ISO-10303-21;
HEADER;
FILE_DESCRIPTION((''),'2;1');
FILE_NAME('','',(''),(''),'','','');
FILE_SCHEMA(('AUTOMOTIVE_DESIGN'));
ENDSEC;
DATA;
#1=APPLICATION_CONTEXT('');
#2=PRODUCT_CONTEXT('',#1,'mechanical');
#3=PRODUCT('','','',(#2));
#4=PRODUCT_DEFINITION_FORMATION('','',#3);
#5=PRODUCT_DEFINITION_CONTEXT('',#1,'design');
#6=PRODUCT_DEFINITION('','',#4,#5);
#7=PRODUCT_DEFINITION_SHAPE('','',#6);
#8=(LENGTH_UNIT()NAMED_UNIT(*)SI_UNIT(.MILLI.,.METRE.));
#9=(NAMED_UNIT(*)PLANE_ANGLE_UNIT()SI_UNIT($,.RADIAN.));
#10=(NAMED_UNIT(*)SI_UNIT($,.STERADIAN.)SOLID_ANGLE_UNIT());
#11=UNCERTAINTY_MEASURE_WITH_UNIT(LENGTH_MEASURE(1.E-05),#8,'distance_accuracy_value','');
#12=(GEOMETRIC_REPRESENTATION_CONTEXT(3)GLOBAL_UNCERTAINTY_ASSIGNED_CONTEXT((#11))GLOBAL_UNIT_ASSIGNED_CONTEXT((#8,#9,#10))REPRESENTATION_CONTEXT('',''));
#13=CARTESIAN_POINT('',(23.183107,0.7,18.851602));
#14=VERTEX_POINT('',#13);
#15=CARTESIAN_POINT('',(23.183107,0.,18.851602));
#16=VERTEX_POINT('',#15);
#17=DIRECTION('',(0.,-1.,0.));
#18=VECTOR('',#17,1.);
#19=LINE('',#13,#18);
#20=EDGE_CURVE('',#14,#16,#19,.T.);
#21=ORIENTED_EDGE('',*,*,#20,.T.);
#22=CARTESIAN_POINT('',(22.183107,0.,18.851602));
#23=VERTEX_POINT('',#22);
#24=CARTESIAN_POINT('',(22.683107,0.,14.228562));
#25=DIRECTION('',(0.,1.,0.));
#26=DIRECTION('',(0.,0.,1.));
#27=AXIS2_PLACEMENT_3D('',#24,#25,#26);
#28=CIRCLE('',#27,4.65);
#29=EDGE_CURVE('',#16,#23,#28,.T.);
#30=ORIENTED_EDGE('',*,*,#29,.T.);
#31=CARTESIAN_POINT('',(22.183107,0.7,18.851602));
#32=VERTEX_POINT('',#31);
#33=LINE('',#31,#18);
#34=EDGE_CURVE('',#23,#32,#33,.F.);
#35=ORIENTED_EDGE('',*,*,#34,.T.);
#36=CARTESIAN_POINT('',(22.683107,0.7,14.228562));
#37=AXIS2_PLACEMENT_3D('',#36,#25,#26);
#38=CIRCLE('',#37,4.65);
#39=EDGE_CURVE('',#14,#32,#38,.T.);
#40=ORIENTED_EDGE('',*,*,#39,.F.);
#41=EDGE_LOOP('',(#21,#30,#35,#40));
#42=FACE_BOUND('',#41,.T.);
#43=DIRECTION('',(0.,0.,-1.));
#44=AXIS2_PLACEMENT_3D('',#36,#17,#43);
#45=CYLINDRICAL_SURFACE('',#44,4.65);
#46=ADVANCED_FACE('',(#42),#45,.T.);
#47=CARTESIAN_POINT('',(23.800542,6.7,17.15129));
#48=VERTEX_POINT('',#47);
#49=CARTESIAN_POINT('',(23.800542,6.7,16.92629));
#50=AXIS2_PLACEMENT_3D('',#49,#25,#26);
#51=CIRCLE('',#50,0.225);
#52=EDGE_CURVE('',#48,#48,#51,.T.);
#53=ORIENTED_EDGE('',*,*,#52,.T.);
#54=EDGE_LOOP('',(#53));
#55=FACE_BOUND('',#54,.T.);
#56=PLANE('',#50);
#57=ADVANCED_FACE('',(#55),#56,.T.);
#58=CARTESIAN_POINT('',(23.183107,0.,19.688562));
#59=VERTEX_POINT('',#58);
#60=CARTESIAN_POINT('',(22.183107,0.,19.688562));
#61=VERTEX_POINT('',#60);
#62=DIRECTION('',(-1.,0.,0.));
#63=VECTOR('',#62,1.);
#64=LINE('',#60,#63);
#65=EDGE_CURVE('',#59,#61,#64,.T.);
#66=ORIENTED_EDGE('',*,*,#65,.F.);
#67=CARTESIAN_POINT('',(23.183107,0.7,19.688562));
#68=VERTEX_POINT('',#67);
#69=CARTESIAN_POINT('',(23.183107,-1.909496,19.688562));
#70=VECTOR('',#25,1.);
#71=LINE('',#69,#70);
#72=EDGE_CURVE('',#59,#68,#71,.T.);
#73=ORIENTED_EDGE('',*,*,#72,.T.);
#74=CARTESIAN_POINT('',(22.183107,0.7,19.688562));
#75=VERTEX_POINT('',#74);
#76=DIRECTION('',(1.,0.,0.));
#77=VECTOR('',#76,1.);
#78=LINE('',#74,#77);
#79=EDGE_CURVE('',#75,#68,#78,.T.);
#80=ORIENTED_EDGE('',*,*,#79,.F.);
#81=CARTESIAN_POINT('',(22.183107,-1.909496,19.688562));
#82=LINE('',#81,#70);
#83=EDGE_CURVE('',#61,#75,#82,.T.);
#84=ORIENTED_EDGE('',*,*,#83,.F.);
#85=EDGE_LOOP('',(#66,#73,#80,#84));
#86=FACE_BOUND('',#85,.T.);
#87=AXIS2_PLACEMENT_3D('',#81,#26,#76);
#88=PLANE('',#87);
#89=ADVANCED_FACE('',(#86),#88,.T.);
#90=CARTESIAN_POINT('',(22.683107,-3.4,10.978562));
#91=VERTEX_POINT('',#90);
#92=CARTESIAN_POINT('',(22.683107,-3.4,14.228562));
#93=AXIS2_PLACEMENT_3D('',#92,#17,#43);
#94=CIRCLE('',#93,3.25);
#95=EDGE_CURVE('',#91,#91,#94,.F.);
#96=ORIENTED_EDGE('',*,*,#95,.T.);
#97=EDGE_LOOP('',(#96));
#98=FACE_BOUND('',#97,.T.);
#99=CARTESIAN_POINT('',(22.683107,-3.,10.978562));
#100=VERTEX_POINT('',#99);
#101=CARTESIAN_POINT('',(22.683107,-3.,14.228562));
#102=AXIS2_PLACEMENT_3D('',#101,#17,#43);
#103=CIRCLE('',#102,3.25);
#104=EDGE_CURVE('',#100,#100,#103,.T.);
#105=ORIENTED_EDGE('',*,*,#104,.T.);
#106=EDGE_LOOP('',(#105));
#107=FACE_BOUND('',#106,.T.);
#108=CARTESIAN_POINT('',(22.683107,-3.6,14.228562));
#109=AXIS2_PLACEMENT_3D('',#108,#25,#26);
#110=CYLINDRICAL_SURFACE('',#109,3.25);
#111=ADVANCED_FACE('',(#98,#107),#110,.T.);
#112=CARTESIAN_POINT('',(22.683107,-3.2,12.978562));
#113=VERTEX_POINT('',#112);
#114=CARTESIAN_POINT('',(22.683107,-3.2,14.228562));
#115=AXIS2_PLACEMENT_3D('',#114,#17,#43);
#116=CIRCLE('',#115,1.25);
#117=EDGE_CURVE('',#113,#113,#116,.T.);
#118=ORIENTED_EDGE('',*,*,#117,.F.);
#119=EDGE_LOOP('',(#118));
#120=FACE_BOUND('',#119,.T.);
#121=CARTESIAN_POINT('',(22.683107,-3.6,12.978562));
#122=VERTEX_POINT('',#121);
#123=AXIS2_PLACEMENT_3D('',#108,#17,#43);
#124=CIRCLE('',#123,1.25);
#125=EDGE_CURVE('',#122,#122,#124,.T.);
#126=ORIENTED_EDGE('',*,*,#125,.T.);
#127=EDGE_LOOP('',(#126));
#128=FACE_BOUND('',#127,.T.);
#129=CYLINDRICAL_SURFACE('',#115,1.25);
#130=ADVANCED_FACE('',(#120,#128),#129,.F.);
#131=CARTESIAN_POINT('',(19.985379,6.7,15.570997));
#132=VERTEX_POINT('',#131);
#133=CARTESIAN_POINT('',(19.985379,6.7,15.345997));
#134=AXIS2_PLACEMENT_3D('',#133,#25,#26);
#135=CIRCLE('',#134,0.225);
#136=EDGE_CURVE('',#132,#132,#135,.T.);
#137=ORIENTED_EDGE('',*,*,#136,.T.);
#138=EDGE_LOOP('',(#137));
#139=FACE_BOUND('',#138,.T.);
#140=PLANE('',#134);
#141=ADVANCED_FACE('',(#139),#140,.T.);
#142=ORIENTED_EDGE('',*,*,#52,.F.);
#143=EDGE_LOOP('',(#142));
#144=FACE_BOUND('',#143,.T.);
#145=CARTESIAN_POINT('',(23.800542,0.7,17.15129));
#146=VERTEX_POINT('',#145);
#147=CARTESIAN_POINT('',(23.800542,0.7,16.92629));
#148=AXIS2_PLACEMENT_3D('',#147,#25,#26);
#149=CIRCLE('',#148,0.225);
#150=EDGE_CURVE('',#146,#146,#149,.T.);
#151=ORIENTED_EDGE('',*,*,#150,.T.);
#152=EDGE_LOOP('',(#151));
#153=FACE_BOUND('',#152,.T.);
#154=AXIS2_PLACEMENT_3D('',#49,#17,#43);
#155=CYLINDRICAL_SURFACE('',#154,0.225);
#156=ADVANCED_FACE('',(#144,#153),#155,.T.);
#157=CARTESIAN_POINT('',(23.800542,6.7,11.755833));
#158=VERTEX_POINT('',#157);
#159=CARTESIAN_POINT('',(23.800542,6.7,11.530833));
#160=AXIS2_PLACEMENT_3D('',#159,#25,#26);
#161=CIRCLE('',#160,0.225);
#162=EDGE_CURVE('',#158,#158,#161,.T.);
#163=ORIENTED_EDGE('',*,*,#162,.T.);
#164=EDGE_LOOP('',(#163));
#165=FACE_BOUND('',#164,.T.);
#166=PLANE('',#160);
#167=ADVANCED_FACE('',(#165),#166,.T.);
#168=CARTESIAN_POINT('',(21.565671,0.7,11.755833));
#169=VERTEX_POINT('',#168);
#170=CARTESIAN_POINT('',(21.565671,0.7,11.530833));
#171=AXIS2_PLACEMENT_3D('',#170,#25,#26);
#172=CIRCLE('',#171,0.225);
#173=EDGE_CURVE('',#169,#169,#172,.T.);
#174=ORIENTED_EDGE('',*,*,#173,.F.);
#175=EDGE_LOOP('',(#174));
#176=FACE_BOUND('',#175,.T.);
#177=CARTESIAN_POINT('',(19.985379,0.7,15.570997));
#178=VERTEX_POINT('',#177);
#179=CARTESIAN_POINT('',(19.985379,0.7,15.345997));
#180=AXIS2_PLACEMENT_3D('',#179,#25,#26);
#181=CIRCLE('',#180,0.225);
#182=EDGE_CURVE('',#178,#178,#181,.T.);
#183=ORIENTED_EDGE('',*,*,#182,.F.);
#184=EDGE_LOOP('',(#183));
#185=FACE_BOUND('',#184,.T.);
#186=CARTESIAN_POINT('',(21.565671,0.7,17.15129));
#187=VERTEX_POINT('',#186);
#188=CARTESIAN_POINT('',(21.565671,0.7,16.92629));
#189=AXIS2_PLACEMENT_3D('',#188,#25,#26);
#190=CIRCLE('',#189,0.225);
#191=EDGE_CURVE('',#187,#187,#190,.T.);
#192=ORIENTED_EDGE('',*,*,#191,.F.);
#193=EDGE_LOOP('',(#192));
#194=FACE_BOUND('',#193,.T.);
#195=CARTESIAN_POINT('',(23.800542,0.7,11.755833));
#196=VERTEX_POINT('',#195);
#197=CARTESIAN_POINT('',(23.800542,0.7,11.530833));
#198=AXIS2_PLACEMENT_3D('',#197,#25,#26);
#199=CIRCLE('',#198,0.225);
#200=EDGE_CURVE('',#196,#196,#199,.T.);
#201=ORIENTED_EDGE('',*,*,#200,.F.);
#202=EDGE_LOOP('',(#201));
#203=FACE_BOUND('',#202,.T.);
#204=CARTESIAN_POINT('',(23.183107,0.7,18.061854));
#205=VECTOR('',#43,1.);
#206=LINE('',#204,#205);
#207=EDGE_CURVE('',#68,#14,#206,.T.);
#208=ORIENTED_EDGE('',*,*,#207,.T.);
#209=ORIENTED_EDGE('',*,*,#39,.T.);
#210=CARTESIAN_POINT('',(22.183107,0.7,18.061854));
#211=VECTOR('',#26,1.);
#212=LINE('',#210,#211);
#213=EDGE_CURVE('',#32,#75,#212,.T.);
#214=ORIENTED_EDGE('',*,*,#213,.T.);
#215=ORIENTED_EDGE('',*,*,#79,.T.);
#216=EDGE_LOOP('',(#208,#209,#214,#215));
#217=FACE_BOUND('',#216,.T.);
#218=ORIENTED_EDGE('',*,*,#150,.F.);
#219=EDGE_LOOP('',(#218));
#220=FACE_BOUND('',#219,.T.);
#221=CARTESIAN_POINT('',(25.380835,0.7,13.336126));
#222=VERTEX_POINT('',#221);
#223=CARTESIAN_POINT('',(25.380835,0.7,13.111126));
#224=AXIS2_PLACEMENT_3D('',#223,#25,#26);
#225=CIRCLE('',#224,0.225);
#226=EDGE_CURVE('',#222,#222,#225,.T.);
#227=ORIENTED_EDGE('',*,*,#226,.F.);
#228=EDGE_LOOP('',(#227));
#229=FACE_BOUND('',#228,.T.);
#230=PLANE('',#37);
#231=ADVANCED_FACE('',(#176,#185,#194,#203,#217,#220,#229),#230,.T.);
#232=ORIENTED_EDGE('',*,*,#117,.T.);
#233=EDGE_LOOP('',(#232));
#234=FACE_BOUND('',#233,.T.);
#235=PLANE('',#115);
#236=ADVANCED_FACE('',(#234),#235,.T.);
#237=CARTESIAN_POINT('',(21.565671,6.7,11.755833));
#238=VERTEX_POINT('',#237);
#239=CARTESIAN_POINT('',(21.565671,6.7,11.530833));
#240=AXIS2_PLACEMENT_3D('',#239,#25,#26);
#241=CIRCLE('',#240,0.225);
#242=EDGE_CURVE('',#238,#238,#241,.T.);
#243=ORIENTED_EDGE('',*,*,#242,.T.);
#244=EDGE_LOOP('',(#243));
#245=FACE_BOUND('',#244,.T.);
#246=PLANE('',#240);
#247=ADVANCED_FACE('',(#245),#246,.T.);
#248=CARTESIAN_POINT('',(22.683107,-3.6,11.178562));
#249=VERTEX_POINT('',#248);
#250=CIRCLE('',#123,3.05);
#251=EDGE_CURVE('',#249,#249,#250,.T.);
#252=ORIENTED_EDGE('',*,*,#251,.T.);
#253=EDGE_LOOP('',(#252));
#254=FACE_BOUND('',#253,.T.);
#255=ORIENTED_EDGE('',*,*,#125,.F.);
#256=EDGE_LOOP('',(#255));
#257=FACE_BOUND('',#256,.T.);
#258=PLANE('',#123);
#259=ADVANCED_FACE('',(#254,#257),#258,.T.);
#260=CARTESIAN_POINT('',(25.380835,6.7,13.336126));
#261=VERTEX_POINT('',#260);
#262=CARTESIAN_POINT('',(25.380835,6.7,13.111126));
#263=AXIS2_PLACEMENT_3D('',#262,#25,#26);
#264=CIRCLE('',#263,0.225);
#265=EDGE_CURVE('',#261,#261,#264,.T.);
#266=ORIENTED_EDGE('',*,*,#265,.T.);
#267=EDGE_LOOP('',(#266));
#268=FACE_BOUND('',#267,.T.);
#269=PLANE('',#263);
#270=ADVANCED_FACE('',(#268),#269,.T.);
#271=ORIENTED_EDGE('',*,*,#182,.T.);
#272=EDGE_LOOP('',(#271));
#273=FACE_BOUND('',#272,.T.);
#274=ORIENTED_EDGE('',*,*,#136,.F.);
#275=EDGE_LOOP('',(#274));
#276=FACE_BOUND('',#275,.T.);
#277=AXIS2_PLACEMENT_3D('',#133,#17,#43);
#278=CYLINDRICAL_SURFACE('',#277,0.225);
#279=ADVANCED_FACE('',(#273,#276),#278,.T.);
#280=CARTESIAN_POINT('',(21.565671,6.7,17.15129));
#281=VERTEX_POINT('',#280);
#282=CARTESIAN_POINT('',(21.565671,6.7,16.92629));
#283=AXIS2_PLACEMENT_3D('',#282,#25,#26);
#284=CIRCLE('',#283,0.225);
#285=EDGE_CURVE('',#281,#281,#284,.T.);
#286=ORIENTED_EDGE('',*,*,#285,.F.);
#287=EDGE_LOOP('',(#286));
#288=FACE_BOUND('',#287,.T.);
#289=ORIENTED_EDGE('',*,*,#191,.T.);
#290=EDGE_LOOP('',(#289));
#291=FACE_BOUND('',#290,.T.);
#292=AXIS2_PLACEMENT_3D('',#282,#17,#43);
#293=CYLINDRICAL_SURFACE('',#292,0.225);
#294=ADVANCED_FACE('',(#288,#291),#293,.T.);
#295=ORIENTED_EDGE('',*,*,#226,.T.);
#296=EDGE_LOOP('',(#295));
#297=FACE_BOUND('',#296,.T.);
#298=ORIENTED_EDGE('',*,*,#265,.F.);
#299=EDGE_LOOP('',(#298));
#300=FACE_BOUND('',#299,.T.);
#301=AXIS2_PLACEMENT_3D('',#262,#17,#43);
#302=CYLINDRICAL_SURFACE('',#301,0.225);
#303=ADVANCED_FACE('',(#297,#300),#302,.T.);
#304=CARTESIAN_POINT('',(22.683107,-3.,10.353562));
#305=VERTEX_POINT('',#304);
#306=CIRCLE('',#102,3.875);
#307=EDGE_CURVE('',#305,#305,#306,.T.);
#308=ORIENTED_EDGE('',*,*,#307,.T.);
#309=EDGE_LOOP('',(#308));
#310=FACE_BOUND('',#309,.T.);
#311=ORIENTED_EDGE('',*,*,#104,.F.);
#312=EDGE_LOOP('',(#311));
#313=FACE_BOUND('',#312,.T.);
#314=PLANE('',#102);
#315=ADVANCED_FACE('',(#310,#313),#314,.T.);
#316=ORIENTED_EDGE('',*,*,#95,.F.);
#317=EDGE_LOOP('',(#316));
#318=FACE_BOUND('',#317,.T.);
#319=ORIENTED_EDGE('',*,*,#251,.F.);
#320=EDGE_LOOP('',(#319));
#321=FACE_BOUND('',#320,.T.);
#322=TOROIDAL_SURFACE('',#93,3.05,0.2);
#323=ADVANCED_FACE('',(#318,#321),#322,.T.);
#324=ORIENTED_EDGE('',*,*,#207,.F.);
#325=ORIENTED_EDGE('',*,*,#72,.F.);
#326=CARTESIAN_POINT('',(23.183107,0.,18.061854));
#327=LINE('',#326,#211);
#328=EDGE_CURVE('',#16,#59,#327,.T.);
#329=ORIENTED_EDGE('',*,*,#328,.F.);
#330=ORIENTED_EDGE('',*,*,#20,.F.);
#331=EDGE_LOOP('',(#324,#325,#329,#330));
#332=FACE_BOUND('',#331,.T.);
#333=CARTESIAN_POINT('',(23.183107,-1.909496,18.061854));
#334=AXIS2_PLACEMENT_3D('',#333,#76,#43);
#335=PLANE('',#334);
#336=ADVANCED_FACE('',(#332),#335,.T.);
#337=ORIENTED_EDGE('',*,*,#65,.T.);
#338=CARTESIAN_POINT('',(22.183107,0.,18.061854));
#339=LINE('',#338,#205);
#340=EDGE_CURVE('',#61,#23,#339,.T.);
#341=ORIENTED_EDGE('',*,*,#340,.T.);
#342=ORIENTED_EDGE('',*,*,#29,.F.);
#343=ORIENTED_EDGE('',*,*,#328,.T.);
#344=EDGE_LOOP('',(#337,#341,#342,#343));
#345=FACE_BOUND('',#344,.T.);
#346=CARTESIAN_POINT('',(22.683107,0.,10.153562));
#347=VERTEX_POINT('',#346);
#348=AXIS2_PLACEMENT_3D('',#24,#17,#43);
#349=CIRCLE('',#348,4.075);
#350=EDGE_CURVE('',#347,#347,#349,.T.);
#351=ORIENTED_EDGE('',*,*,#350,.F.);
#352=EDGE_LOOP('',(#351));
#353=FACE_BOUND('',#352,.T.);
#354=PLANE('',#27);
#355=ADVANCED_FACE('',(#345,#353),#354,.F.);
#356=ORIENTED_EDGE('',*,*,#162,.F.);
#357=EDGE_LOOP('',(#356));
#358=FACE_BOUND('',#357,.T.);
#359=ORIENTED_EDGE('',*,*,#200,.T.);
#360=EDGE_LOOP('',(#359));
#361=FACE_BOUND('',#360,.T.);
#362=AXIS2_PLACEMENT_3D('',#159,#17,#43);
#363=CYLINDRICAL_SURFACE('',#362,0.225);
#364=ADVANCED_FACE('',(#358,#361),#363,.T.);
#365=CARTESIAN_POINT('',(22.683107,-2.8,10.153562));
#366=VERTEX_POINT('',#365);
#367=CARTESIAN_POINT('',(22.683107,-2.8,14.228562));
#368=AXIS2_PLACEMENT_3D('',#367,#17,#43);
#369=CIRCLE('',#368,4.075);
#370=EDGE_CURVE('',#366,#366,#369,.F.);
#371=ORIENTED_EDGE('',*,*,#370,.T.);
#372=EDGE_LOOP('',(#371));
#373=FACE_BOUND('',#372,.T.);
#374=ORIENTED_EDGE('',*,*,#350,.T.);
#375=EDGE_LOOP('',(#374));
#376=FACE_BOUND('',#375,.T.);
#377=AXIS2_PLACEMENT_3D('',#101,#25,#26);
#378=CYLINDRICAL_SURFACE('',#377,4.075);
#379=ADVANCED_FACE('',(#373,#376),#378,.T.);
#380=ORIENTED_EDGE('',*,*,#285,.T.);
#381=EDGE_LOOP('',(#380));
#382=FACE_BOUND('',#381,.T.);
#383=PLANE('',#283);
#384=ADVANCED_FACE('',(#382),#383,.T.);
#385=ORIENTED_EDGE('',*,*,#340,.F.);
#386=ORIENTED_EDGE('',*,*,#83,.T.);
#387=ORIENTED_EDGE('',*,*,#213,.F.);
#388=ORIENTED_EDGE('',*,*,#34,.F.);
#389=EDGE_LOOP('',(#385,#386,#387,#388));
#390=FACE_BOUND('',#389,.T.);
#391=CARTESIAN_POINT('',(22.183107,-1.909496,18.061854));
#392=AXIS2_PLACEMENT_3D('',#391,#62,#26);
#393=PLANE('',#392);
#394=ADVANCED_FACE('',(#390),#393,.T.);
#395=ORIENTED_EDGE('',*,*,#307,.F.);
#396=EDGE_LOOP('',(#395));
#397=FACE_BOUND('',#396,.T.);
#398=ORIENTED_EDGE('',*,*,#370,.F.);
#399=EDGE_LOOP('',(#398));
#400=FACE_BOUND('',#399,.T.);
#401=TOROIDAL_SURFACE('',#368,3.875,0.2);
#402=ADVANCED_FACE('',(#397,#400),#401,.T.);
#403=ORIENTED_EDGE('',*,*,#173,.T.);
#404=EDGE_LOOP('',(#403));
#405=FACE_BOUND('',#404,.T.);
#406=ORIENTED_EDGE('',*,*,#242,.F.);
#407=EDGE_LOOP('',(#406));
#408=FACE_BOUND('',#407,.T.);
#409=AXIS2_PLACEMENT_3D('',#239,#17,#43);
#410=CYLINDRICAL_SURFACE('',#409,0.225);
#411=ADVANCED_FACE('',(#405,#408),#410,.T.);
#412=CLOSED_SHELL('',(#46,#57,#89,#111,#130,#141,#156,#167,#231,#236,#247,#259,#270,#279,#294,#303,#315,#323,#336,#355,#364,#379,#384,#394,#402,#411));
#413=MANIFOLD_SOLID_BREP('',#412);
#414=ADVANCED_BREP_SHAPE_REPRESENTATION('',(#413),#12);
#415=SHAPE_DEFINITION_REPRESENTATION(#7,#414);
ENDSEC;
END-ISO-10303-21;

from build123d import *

# Parameters (mm, degrees)
SKETCH1_R           = 4.65
BOSS_EXTRUDE1_DEPTH = 0.7
SKETCH2_R           = 4.075
BOSS_EXTRUDE2_DEPTH = 3
SKETCH3_R           = 3.25
BOSS_EXTRUDE3_DEPTH = 0.6
FILLET1_R           = 0.2
FILLET2_R           = 0.2
SKETCH4_R           = 1.25
CUT_EXTRUDE1_DEPTH  = 0.4
SKETCH5_W           = 1
SKETCH5_H           = 1.626707286
BOSS_EXTRUDE4_DEPTH = 0.7
SKETCH6_R           = 0.225
BOSS_EXTRUDE5_DEPTH = 6


with BuildPart() as part:
    # Sketch1 → Boss-Extrude1 (new body)
    with BuildSketch(Plane(origin=(0, 0, 0), x_dir=(1, 0, 0), z_dir=(0, 1, 0))):
        with Locations(Location((22.683106859, -14.228561536, 0), (0, 0, 270))):
            Circle(SKETCH1_R)
    extrude(amount=BOSS_EXTRUDE1_DEPTH)

    # Sketch2 → Boss-Extrude2 (add)
    with BuildSketch(Plane.XZ):
        with Locations(Location((22.683106859, 14.228561536, 0), (0, 0, 270))):
            Circle(SKETCH2_R)
    extrude(amount=BOSS_EXTRUDE2_DEPTH)

    # Sketch3 → Boss-Extrude3 (add)
    with BuildSketch(Plane.XZ.offset(3)):
        with Locations(Location((22.683106859, 14.228561536, 0), (0, 0, 270))):
            Circle(SKETCH3_R)
    extrude(amount=BOSS_EXTRUDE3_DEPTH)

    # Fillet1
    fillet1_edges = [part.edges().sort_by_distance(p)[0] for p in [
        (22.683106859, -3, 18.303561536),
    ]]
    fillet(fillet1_edges, radius=FILLET1_R)

    # Fillet2
    fillet2_edges = [part.edges().sort_by_distance(p)[0] for p in [
        (22.683106859, -3.6, 17.478561536),
    ]]
    fillet(fillet2_edges, radius=FILLET2_R)

    # Sketch4 → Cut-Extrude1 (cut)
    with BuildSketch(Plane.XZ.offset(3.6)):
        with Locations(Location((22.683106859, 14.228561536, 0), (0, 0, 270))):
            Circle(SKETCH4_R)
    extrude(amount=-CUT_EXTRUDE1_DEPTH, mode=Mode.SUBTRACT)

    # Sketch5 → Boss-Extrude4 (add)
    with BuildSketch(Plane(origin=(0, 0.7, 0), x_dir=(1, 0, 0), z_dir=(0, 1, 0))):
        with Locations((22.683106859, -18.875207893)):
            Rectangle(SKETCH5_W, SKETCH5_H)
    extrude(amount=-BOSS_EXTRUDE4_DEPTH)

    # Sketch6 → Boss-Extrude5 (add)
    with BuildSketch(Plane(origin=(0, 0.7, 0), x_dir=(1, 0, 0), z_dir=(0, 1, 0))):
        with Locations(Location((19.985378624, -15.345997158, 0), (0, 0, 270))):
            Circle(SKETCH6_R)
        with Locations(Location((21.565671236, -16.926289771, 0), (0, 0, 270))):
            Circle(SKETCH6_R)
        with Locations(Location((23.800542481, -16.926289771, 0), (0, 0, 270))):
            Circle(SKETCH6_R)
        with Locations(Location((25.380835094, -13.111125913, 0), (0, 0, 270))):
            Circle(SKETCH6_R)
        with Locations(Location((23.800542481, -11.530833301, 0), (0, 0, 270))):
            Circle(SKETCH6_R)
        with Locations(Location((21.565671236, -11.530833301, 0), (0, 0, 270))):
            Circle(SKETCH6_R)
    extrude(amount=BOSS_EXTRUDE5_DEPTH)


solid = part.part
